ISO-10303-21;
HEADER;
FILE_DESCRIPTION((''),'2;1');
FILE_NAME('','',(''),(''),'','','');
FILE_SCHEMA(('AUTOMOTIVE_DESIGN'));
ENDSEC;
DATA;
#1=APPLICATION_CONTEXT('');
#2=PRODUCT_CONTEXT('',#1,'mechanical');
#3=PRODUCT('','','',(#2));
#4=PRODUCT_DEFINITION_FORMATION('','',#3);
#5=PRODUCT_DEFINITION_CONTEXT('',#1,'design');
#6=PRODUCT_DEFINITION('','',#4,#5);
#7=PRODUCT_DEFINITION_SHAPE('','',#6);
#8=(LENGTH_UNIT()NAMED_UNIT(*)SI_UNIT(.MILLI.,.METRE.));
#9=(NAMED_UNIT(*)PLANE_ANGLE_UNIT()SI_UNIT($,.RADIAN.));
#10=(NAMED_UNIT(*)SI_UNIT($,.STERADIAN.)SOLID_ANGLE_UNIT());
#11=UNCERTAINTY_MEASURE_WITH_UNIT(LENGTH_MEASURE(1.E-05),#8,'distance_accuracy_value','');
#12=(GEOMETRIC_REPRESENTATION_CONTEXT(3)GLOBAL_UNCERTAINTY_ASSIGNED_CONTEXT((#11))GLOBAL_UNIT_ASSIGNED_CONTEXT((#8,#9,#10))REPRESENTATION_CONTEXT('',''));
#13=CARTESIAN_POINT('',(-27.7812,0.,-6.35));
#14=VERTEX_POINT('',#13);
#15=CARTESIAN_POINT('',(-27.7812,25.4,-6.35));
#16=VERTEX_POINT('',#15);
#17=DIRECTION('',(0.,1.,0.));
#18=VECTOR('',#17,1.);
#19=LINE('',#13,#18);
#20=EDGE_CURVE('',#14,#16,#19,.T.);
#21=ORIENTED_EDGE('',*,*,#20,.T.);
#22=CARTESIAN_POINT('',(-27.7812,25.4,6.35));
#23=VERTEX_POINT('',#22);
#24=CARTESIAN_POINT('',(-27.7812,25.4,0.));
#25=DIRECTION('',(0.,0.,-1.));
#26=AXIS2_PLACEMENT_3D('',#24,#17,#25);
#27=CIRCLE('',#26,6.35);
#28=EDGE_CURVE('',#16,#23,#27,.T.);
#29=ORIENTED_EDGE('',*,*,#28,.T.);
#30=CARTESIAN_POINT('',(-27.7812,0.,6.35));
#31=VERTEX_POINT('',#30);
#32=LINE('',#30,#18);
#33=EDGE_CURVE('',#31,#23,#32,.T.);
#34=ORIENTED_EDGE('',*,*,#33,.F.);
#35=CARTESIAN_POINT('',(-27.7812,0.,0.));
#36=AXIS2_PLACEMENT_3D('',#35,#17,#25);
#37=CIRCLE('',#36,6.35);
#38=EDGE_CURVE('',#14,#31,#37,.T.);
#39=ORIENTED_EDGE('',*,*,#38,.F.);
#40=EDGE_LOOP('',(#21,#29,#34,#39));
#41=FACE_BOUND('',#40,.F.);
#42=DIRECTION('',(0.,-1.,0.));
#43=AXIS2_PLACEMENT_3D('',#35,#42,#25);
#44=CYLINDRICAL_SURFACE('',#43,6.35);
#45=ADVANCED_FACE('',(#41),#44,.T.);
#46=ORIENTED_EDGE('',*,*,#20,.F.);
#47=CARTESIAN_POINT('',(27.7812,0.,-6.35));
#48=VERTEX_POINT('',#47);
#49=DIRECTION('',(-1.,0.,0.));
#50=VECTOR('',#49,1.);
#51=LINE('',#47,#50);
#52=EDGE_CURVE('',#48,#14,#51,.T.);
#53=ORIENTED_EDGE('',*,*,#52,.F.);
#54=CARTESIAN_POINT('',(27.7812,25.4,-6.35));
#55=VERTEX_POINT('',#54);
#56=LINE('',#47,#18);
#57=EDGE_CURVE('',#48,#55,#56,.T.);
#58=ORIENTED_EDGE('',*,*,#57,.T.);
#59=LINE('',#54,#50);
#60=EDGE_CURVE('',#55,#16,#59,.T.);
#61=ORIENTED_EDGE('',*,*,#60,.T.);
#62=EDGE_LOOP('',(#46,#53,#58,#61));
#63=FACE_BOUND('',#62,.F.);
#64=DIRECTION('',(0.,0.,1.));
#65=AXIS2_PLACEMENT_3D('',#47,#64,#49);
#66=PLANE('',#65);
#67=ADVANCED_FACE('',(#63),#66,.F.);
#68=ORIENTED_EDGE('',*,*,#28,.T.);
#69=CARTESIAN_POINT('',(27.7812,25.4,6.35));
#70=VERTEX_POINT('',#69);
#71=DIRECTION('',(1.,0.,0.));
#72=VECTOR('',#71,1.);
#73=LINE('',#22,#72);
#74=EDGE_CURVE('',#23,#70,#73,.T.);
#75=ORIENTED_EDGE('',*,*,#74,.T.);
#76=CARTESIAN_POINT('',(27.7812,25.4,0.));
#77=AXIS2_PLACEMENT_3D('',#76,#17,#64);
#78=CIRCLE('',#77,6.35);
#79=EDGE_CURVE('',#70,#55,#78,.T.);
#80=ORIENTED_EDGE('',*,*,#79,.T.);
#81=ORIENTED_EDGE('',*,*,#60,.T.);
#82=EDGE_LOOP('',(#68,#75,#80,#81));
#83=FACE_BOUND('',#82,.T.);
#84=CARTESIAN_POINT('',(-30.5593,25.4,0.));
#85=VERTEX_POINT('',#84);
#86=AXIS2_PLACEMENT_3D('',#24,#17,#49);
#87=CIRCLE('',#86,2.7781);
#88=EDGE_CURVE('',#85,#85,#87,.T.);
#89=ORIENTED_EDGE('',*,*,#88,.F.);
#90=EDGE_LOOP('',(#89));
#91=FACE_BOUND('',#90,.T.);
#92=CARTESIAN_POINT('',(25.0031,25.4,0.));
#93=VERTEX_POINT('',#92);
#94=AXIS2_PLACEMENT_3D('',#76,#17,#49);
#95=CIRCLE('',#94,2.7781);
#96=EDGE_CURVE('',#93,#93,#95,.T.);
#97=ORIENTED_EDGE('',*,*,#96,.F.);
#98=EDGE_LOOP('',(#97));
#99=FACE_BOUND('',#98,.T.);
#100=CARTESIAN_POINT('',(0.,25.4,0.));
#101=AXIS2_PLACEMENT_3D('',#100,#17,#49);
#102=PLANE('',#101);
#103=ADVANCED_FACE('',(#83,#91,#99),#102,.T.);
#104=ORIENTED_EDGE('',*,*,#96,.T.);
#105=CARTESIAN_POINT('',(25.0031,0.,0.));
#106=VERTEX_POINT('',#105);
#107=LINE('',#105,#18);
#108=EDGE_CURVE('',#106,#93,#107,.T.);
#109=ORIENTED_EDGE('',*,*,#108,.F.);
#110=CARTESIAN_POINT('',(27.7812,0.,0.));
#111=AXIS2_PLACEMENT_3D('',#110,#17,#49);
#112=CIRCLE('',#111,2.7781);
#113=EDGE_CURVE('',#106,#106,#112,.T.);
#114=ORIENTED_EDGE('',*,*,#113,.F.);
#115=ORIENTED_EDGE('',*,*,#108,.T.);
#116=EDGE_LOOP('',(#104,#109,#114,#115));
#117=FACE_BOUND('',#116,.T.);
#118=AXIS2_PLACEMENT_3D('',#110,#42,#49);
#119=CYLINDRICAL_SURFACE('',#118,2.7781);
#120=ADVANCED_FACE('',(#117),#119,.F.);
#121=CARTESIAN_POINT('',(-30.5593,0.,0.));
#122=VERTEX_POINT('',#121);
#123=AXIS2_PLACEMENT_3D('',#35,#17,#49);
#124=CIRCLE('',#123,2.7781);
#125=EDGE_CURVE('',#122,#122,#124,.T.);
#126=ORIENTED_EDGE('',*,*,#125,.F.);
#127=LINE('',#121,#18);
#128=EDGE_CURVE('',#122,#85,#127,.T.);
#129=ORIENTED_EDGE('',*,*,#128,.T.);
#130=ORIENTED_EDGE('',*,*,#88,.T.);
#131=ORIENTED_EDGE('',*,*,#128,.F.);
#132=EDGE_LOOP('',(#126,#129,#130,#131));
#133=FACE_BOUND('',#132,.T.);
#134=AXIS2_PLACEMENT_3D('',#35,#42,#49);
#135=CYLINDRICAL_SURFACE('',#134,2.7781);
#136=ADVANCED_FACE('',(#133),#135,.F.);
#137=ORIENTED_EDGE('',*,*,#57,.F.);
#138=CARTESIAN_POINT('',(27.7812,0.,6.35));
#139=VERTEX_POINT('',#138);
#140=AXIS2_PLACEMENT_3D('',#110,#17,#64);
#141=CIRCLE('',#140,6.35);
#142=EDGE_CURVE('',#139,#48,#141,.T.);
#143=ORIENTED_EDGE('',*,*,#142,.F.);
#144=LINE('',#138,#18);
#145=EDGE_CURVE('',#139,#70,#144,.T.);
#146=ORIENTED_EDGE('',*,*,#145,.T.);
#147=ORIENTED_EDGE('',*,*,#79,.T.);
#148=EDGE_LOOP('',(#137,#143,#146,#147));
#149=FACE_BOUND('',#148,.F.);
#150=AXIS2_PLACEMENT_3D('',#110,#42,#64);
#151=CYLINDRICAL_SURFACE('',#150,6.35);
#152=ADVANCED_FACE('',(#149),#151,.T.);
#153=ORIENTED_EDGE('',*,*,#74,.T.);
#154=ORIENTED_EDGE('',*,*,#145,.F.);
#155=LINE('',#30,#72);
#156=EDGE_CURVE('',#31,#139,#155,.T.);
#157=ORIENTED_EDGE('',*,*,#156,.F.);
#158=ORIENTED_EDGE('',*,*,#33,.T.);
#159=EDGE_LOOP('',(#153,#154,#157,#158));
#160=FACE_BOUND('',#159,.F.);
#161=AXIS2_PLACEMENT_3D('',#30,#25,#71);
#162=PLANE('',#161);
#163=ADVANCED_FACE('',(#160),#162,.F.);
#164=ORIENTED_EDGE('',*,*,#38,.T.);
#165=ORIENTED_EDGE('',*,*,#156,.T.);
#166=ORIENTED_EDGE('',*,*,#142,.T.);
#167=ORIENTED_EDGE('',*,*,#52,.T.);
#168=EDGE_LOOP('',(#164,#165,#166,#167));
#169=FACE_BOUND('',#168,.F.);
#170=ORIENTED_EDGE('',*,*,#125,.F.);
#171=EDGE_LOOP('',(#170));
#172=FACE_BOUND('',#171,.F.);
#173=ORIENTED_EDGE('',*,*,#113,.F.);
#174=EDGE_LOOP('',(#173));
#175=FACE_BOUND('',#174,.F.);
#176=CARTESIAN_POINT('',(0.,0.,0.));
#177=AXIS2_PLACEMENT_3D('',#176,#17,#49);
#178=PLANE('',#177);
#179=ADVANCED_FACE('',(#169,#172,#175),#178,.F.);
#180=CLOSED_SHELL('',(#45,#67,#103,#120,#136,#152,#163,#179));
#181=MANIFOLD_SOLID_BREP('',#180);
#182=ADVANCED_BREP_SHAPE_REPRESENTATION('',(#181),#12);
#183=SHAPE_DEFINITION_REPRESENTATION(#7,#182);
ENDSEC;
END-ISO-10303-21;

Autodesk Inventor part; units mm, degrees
ref_plane "YZ Plane" through (0, 0, 0) normal (1, 0, 0) x (0, 1, 0)
ref_plane "XZ Plane" through (0, 0, 0) normal (0, 1, 0) x (-1, 0, 0)
ref_plane "XY Plane" through (0, 0, 0) normal (0, 0, 1) x (1, 0, 0)
sketch "Sketch1" plane through (0, 0, 0) normal (0, 1, 0) x (-1, 0, 0)
  line L0 (-27.7812, 0) -> (27.7812, 0) construction
  line L1 (-27.7812, -6.35) -> (27.7812, -6.35)
  line L2 (27.7812, 6.35) -> (-27.7812, 6.35)
  arc A0 (-27.7812, 6.35) -> (-27.7812, -6.35) centre (-27.7812, 0) ccw
  arc A1 (27.7812, -6.35) -> (27.7812, 6.35) centre (27.7812, 0) ccw
  circle A2 centre (27.7812, 0) radius 2.7781
  circle A3 centre (-27.7812, 0) radius 2.7781
  point P0 (0, 0)
  dimension "d0" = 5.5563
  dimension "d1" = 55.5625
  dimension "d2" = 6.35
extrude "Extrusion1" add sketch "Sketch1" along normal blind 25.4
properties part number "OZZ-CasterRiserBlock" material "Steel, Alloy"
